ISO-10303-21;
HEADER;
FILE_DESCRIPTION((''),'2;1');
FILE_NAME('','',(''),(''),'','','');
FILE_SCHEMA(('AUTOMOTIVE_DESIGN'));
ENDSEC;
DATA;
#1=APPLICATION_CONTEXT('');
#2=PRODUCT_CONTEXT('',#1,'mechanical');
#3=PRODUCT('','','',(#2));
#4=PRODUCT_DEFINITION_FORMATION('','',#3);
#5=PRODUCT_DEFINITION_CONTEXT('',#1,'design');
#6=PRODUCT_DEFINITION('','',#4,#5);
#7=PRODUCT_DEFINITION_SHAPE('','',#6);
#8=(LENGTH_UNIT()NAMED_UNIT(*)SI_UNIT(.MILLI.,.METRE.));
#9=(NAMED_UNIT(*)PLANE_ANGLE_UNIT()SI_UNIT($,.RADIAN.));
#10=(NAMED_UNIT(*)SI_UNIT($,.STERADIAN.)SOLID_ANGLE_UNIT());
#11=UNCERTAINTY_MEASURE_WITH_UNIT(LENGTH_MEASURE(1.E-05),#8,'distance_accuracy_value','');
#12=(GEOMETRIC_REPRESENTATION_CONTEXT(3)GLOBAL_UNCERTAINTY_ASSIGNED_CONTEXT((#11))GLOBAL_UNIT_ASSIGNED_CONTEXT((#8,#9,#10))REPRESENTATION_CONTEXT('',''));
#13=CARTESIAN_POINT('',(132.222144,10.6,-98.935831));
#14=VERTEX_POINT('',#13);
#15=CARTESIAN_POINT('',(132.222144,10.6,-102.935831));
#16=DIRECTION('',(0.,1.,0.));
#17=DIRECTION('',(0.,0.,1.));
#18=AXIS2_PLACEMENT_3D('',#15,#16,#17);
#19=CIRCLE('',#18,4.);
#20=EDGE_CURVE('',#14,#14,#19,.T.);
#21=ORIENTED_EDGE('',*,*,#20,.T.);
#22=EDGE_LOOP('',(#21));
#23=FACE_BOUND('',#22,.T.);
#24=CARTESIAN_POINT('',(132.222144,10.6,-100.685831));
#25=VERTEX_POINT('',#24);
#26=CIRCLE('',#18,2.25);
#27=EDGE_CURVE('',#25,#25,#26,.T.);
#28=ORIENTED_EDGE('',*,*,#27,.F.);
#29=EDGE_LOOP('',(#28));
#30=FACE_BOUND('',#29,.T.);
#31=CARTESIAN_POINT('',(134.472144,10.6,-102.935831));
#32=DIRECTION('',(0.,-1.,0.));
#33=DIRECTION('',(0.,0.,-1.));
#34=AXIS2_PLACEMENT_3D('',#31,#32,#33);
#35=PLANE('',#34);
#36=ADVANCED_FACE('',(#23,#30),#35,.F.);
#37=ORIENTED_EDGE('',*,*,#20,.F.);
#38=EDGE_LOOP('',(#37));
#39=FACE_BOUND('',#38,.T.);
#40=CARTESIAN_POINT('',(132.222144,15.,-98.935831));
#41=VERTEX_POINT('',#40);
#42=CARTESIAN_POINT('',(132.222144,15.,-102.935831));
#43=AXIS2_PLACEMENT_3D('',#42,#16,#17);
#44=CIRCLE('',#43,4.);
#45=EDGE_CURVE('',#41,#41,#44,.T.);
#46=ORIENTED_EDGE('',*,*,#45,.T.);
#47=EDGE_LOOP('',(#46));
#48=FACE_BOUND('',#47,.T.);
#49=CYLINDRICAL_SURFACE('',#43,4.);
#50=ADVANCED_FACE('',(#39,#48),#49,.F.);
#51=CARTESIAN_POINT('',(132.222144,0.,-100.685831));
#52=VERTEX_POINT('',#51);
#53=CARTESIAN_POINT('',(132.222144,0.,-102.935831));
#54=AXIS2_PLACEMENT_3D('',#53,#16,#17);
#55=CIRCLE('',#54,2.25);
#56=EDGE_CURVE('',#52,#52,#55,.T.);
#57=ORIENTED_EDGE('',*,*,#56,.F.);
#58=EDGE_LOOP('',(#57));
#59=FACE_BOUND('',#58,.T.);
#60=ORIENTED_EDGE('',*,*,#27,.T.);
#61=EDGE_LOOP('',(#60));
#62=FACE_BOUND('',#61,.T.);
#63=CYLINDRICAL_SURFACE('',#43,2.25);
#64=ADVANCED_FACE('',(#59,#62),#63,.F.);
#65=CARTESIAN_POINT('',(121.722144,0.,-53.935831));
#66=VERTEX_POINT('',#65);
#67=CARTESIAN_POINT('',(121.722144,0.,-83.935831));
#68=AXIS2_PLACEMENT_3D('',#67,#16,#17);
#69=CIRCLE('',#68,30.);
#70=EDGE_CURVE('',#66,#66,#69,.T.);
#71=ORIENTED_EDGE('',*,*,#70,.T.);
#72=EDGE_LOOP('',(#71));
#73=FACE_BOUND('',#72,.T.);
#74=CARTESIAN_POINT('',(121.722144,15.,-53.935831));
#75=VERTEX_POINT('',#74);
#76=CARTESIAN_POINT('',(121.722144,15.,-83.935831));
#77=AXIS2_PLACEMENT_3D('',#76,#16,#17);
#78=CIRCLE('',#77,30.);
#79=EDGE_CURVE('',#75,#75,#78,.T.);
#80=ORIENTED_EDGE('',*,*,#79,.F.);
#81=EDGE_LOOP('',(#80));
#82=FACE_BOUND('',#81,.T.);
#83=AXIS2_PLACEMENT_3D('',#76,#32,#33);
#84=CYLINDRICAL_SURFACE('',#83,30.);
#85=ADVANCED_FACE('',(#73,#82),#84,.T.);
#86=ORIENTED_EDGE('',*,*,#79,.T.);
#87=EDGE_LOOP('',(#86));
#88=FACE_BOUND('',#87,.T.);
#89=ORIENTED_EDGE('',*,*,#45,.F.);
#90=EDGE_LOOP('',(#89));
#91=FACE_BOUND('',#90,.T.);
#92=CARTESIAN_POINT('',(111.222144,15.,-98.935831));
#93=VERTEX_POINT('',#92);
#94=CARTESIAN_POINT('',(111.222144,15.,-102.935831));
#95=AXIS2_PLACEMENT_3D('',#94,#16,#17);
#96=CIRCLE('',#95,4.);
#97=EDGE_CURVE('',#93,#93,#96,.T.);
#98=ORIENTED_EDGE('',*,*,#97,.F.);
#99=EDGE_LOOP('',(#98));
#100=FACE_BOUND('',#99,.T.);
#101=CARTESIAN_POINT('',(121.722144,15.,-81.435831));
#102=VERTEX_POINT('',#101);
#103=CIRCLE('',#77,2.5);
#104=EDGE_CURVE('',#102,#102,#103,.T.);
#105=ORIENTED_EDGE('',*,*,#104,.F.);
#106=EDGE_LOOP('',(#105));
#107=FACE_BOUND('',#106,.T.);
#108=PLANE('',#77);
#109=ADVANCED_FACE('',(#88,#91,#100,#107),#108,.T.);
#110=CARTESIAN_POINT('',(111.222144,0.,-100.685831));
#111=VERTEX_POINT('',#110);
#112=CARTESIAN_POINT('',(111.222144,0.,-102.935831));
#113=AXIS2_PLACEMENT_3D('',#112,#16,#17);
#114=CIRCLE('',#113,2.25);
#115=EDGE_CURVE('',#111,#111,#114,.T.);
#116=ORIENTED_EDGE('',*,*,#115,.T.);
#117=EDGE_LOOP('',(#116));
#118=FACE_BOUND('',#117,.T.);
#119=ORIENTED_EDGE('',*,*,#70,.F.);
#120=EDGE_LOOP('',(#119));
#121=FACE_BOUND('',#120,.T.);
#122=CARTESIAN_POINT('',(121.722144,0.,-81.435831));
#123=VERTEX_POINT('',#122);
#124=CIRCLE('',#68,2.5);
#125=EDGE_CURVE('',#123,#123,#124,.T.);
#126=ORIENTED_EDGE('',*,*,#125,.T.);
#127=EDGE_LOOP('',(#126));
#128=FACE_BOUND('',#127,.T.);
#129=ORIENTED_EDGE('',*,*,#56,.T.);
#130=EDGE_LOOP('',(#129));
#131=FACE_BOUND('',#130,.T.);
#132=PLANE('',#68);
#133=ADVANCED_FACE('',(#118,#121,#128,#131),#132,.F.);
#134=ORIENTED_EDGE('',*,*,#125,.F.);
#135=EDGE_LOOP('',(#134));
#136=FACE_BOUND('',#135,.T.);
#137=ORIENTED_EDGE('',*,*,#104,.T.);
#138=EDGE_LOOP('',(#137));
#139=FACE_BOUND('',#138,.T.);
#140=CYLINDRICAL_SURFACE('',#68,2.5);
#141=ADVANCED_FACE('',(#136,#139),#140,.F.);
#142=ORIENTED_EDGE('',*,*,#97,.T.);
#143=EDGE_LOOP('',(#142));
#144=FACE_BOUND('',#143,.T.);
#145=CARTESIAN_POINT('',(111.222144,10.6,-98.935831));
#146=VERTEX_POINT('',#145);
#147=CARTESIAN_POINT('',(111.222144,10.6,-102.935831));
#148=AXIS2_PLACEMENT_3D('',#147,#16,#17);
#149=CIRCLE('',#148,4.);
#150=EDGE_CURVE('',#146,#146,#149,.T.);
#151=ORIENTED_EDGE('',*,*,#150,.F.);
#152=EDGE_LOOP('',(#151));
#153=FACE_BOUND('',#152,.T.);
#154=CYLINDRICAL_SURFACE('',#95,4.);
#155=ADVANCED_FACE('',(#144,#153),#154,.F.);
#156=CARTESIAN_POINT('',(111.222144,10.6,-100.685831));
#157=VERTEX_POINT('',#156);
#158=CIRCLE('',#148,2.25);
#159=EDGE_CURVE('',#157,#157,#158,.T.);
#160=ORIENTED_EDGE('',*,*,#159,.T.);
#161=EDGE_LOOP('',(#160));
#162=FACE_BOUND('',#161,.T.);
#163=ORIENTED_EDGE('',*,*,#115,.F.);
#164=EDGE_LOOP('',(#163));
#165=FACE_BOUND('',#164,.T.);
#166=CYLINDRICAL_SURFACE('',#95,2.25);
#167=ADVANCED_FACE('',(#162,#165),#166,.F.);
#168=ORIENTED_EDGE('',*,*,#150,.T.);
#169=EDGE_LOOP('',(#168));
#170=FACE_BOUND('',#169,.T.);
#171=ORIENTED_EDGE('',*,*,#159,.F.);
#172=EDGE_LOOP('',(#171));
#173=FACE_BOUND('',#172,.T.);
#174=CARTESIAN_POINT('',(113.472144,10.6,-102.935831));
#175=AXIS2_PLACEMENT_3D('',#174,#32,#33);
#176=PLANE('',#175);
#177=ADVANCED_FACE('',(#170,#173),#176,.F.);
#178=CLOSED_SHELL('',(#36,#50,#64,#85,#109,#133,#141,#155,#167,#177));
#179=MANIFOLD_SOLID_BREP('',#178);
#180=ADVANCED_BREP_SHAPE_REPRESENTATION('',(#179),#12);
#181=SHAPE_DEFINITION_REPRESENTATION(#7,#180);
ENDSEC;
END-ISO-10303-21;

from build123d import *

# Parameters (mm, degrees)
SKETCH1_R                                           = 30
BOSS_EXTRUDE1_DEPTH                                 = 15
SKETCH10_R                                          = 2.5
CUT_EXTRUDE2_DEPTH                                  = 15
CBORE_FOR_M4_HEX_SOCKET_HEAD_CAP_SCREW3_D           = 4.5
CBORE_FOR_M4_HEX_SOCKET_HEAD_CAP_SCREW3_DEPTH       = 15
CBORE_FOR_M4_HEX_SOCKET_HEAD_CAP_SCREW3_CBORE_D     = 8
CBORE_FOR_M4_HEX_SOCKET_HEAD_CAP_SCREW3_CBORE_DEPTH = 4.4


with BuildPart() as part:
    # Sketch1 → Boss-Extrude1 (new body)
    with BuildSketch(Plane(origin=(0, 0, 0), x_dir=(1, 0, 0), z_dir=(0, 1, 0))):
        with Locations((121.722144349, 83.935831041)):
            Circle(SKETCH1_R)
    extrude(amount=BOSS_EXTRUDE1_DEPTH)

    # Sketch10 → Cut-Extrude2 (cut)
    with BuildSketch(Plane(origin=(0, 15, 0), x_dir=(1, 0, 0), z_dir=(0, 1, 0))):
        with Locations((121.722144349, 83.935831041)):
            Circle(SKETCH10_R)
    extrude(amount=-CUT_EXTRUDE2_DEPTH, mode=Mode.SUBTRACT)

    # CBORE for M4 Hex Socket Head Cap Screw3
    with Locations(Plane(origin=(132.222144349, 15, -102.935831041), x_dir=(0, 0, 1), z_dir=(0, 1, 0))):
        with Locations((0, 0), (0, -21)):
            CounterBoreHole(CBORE_FOR_M4_HEX_SOCKET_HEAD_CAP_SCREW3_D / 2, CBORE_FOR_M4_HEX_SOCKET_HEAD_CAP_SCREW3_CBORE_D / 2, CBORE_FOR_M4_HEX_SOCKET_HEAD_CAP_SCREW3_CBORE_DEPTH, depth=CBORE_FOR_M4_HEX_SOCKET_HEAD_CAP_SCREW3_DEPTH)


solid = part.part
